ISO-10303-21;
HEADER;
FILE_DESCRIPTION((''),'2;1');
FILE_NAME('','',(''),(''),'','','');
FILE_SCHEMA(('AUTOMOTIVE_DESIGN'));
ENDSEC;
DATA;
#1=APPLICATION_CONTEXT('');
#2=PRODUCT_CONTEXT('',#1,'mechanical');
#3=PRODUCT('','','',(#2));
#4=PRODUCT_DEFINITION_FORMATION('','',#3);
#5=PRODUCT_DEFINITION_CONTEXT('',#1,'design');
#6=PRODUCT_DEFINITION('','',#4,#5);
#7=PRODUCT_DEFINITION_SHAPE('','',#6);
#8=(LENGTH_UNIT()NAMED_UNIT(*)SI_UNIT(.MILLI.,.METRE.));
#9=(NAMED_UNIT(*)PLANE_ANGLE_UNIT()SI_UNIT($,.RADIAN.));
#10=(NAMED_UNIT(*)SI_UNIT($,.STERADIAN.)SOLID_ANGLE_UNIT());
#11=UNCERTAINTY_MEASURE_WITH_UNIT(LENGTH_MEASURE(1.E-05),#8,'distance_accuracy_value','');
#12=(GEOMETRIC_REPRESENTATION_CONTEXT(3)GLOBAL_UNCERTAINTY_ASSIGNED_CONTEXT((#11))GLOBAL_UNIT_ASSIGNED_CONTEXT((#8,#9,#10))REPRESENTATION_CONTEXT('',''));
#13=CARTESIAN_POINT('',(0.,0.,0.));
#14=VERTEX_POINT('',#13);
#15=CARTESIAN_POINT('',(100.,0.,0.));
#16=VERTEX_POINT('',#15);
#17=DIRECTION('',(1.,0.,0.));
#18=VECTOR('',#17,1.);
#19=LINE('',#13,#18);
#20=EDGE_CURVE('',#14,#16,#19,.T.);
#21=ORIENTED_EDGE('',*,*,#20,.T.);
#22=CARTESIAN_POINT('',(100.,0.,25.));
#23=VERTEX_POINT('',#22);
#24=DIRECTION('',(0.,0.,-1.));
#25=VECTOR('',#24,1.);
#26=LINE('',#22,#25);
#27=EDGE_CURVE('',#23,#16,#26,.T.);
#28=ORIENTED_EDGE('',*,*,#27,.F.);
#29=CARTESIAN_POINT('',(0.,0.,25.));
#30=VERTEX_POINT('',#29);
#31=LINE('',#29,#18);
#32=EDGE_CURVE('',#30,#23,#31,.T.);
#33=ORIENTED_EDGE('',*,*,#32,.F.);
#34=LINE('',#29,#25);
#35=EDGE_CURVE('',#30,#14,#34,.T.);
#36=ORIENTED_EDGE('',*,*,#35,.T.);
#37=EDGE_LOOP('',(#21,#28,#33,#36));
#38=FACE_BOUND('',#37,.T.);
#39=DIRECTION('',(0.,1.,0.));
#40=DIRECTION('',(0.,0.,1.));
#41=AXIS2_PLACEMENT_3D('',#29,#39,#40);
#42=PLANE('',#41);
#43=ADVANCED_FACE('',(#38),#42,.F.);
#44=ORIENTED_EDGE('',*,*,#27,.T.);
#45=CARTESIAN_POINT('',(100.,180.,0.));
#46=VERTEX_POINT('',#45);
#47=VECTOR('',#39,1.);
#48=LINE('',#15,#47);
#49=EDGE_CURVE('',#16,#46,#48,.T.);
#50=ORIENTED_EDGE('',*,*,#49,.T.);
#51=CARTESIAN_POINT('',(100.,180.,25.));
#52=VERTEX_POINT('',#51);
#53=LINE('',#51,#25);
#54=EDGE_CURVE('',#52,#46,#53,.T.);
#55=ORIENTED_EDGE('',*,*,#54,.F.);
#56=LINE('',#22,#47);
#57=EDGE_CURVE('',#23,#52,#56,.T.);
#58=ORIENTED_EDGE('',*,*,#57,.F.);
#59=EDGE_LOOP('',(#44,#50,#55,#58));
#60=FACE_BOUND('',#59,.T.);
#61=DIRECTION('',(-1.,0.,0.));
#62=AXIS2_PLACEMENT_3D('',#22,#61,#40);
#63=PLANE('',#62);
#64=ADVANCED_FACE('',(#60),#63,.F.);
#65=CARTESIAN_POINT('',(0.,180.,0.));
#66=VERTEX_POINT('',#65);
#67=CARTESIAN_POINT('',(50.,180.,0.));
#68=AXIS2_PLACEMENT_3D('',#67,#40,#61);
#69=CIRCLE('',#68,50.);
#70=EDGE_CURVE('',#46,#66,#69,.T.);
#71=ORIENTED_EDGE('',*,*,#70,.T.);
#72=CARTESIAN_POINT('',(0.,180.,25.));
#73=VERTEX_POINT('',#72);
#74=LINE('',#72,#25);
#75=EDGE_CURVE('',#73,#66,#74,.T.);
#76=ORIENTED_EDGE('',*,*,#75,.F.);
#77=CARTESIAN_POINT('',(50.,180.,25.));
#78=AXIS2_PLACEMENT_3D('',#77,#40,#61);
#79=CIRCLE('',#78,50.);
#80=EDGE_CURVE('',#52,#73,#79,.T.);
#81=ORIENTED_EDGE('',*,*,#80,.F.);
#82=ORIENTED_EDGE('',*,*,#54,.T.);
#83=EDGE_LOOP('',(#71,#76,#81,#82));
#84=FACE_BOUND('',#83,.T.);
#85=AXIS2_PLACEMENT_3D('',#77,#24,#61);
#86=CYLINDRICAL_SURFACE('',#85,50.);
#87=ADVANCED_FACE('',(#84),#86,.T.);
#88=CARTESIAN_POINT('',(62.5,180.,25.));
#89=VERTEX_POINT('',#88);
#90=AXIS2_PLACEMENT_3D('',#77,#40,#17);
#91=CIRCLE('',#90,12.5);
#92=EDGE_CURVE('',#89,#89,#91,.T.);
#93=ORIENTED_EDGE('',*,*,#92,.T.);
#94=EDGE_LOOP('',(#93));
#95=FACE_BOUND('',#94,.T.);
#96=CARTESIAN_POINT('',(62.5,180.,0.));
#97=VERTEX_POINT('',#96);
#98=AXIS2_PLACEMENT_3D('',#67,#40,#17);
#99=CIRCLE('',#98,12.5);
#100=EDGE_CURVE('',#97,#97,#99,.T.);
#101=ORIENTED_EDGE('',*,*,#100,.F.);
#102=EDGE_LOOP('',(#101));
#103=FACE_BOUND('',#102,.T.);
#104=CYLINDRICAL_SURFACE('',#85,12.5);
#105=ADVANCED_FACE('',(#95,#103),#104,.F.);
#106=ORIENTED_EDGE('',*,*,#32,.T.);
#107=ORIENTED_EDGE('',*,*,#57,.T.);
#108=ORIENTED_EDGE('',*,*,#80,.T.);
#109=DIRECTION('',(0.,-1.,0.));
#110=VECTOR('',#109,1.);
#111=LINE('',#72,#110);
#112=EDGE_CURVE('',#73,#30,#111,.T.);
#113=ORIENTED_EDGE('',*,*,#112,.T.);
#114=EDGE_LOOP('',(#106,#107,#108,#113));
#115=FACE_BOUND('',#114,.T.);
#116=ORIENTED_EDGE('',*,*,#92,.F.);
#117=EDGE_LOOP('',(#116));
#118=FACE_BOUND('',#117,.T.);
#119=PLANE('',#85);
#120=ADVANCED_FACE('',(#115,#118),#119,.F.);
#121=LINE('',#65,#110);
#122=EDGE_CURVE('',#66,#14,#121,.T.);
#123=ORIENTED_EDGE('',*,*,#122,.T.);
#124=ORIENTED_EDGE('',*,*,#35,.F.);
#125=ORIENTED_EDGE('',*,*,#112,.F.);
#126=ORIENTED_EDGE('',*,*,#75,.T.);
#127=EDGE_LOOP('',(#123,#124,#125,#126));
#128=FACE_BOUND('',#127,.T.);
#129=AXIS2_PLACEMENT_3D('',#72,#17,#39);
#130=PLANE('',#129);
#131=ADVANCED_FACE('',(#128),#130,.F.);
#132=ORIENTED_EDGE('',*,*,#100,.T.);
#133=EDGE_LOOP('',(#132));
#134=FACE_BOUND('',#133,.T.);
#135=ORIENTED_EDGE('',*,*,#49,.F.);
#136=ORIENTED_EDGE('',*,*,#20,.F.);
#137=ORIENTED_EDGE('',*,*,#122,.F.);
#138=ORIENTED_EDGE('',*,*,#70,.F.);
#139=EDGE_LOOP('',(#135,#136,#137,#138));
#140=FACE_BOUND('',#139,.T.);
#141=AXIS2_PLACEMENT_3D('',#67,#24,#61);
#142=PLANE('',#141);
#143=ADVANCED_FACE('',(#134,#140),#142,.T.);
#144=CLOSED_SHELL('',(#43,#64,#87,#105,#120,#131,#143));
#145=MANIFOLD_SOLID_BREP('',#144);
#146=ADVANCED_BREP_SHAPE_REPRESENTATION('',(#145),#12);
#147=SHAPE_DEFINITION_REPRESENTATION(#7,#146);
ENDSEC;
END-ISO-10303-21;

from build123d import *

# Parameters (mm, degrees)
SKETCH1_R           = 12.5
BOSS_EXTRUDE1_DEPTH = 25


with BuildPart() as part:
    # Sketch1 → Boss-Extrude1 (new body)
    with BuildSketch(Plane.XY):
        with BuildLine():
            Line((0, 0), (100, 0))
            Line((100, 0), (100, 180))
            ThreePointArc((100, 180), (50, 230), (0, 180))
            Line((0, 180), (0, 0))
        make_face()
        with Locations((50, 180)):
            Circle(SKETCH1_R, mode=Mode.SUBTRACT)
    extrude(amount=BOSS_EXTRUDE1_DEPTH)


solid = part.part
